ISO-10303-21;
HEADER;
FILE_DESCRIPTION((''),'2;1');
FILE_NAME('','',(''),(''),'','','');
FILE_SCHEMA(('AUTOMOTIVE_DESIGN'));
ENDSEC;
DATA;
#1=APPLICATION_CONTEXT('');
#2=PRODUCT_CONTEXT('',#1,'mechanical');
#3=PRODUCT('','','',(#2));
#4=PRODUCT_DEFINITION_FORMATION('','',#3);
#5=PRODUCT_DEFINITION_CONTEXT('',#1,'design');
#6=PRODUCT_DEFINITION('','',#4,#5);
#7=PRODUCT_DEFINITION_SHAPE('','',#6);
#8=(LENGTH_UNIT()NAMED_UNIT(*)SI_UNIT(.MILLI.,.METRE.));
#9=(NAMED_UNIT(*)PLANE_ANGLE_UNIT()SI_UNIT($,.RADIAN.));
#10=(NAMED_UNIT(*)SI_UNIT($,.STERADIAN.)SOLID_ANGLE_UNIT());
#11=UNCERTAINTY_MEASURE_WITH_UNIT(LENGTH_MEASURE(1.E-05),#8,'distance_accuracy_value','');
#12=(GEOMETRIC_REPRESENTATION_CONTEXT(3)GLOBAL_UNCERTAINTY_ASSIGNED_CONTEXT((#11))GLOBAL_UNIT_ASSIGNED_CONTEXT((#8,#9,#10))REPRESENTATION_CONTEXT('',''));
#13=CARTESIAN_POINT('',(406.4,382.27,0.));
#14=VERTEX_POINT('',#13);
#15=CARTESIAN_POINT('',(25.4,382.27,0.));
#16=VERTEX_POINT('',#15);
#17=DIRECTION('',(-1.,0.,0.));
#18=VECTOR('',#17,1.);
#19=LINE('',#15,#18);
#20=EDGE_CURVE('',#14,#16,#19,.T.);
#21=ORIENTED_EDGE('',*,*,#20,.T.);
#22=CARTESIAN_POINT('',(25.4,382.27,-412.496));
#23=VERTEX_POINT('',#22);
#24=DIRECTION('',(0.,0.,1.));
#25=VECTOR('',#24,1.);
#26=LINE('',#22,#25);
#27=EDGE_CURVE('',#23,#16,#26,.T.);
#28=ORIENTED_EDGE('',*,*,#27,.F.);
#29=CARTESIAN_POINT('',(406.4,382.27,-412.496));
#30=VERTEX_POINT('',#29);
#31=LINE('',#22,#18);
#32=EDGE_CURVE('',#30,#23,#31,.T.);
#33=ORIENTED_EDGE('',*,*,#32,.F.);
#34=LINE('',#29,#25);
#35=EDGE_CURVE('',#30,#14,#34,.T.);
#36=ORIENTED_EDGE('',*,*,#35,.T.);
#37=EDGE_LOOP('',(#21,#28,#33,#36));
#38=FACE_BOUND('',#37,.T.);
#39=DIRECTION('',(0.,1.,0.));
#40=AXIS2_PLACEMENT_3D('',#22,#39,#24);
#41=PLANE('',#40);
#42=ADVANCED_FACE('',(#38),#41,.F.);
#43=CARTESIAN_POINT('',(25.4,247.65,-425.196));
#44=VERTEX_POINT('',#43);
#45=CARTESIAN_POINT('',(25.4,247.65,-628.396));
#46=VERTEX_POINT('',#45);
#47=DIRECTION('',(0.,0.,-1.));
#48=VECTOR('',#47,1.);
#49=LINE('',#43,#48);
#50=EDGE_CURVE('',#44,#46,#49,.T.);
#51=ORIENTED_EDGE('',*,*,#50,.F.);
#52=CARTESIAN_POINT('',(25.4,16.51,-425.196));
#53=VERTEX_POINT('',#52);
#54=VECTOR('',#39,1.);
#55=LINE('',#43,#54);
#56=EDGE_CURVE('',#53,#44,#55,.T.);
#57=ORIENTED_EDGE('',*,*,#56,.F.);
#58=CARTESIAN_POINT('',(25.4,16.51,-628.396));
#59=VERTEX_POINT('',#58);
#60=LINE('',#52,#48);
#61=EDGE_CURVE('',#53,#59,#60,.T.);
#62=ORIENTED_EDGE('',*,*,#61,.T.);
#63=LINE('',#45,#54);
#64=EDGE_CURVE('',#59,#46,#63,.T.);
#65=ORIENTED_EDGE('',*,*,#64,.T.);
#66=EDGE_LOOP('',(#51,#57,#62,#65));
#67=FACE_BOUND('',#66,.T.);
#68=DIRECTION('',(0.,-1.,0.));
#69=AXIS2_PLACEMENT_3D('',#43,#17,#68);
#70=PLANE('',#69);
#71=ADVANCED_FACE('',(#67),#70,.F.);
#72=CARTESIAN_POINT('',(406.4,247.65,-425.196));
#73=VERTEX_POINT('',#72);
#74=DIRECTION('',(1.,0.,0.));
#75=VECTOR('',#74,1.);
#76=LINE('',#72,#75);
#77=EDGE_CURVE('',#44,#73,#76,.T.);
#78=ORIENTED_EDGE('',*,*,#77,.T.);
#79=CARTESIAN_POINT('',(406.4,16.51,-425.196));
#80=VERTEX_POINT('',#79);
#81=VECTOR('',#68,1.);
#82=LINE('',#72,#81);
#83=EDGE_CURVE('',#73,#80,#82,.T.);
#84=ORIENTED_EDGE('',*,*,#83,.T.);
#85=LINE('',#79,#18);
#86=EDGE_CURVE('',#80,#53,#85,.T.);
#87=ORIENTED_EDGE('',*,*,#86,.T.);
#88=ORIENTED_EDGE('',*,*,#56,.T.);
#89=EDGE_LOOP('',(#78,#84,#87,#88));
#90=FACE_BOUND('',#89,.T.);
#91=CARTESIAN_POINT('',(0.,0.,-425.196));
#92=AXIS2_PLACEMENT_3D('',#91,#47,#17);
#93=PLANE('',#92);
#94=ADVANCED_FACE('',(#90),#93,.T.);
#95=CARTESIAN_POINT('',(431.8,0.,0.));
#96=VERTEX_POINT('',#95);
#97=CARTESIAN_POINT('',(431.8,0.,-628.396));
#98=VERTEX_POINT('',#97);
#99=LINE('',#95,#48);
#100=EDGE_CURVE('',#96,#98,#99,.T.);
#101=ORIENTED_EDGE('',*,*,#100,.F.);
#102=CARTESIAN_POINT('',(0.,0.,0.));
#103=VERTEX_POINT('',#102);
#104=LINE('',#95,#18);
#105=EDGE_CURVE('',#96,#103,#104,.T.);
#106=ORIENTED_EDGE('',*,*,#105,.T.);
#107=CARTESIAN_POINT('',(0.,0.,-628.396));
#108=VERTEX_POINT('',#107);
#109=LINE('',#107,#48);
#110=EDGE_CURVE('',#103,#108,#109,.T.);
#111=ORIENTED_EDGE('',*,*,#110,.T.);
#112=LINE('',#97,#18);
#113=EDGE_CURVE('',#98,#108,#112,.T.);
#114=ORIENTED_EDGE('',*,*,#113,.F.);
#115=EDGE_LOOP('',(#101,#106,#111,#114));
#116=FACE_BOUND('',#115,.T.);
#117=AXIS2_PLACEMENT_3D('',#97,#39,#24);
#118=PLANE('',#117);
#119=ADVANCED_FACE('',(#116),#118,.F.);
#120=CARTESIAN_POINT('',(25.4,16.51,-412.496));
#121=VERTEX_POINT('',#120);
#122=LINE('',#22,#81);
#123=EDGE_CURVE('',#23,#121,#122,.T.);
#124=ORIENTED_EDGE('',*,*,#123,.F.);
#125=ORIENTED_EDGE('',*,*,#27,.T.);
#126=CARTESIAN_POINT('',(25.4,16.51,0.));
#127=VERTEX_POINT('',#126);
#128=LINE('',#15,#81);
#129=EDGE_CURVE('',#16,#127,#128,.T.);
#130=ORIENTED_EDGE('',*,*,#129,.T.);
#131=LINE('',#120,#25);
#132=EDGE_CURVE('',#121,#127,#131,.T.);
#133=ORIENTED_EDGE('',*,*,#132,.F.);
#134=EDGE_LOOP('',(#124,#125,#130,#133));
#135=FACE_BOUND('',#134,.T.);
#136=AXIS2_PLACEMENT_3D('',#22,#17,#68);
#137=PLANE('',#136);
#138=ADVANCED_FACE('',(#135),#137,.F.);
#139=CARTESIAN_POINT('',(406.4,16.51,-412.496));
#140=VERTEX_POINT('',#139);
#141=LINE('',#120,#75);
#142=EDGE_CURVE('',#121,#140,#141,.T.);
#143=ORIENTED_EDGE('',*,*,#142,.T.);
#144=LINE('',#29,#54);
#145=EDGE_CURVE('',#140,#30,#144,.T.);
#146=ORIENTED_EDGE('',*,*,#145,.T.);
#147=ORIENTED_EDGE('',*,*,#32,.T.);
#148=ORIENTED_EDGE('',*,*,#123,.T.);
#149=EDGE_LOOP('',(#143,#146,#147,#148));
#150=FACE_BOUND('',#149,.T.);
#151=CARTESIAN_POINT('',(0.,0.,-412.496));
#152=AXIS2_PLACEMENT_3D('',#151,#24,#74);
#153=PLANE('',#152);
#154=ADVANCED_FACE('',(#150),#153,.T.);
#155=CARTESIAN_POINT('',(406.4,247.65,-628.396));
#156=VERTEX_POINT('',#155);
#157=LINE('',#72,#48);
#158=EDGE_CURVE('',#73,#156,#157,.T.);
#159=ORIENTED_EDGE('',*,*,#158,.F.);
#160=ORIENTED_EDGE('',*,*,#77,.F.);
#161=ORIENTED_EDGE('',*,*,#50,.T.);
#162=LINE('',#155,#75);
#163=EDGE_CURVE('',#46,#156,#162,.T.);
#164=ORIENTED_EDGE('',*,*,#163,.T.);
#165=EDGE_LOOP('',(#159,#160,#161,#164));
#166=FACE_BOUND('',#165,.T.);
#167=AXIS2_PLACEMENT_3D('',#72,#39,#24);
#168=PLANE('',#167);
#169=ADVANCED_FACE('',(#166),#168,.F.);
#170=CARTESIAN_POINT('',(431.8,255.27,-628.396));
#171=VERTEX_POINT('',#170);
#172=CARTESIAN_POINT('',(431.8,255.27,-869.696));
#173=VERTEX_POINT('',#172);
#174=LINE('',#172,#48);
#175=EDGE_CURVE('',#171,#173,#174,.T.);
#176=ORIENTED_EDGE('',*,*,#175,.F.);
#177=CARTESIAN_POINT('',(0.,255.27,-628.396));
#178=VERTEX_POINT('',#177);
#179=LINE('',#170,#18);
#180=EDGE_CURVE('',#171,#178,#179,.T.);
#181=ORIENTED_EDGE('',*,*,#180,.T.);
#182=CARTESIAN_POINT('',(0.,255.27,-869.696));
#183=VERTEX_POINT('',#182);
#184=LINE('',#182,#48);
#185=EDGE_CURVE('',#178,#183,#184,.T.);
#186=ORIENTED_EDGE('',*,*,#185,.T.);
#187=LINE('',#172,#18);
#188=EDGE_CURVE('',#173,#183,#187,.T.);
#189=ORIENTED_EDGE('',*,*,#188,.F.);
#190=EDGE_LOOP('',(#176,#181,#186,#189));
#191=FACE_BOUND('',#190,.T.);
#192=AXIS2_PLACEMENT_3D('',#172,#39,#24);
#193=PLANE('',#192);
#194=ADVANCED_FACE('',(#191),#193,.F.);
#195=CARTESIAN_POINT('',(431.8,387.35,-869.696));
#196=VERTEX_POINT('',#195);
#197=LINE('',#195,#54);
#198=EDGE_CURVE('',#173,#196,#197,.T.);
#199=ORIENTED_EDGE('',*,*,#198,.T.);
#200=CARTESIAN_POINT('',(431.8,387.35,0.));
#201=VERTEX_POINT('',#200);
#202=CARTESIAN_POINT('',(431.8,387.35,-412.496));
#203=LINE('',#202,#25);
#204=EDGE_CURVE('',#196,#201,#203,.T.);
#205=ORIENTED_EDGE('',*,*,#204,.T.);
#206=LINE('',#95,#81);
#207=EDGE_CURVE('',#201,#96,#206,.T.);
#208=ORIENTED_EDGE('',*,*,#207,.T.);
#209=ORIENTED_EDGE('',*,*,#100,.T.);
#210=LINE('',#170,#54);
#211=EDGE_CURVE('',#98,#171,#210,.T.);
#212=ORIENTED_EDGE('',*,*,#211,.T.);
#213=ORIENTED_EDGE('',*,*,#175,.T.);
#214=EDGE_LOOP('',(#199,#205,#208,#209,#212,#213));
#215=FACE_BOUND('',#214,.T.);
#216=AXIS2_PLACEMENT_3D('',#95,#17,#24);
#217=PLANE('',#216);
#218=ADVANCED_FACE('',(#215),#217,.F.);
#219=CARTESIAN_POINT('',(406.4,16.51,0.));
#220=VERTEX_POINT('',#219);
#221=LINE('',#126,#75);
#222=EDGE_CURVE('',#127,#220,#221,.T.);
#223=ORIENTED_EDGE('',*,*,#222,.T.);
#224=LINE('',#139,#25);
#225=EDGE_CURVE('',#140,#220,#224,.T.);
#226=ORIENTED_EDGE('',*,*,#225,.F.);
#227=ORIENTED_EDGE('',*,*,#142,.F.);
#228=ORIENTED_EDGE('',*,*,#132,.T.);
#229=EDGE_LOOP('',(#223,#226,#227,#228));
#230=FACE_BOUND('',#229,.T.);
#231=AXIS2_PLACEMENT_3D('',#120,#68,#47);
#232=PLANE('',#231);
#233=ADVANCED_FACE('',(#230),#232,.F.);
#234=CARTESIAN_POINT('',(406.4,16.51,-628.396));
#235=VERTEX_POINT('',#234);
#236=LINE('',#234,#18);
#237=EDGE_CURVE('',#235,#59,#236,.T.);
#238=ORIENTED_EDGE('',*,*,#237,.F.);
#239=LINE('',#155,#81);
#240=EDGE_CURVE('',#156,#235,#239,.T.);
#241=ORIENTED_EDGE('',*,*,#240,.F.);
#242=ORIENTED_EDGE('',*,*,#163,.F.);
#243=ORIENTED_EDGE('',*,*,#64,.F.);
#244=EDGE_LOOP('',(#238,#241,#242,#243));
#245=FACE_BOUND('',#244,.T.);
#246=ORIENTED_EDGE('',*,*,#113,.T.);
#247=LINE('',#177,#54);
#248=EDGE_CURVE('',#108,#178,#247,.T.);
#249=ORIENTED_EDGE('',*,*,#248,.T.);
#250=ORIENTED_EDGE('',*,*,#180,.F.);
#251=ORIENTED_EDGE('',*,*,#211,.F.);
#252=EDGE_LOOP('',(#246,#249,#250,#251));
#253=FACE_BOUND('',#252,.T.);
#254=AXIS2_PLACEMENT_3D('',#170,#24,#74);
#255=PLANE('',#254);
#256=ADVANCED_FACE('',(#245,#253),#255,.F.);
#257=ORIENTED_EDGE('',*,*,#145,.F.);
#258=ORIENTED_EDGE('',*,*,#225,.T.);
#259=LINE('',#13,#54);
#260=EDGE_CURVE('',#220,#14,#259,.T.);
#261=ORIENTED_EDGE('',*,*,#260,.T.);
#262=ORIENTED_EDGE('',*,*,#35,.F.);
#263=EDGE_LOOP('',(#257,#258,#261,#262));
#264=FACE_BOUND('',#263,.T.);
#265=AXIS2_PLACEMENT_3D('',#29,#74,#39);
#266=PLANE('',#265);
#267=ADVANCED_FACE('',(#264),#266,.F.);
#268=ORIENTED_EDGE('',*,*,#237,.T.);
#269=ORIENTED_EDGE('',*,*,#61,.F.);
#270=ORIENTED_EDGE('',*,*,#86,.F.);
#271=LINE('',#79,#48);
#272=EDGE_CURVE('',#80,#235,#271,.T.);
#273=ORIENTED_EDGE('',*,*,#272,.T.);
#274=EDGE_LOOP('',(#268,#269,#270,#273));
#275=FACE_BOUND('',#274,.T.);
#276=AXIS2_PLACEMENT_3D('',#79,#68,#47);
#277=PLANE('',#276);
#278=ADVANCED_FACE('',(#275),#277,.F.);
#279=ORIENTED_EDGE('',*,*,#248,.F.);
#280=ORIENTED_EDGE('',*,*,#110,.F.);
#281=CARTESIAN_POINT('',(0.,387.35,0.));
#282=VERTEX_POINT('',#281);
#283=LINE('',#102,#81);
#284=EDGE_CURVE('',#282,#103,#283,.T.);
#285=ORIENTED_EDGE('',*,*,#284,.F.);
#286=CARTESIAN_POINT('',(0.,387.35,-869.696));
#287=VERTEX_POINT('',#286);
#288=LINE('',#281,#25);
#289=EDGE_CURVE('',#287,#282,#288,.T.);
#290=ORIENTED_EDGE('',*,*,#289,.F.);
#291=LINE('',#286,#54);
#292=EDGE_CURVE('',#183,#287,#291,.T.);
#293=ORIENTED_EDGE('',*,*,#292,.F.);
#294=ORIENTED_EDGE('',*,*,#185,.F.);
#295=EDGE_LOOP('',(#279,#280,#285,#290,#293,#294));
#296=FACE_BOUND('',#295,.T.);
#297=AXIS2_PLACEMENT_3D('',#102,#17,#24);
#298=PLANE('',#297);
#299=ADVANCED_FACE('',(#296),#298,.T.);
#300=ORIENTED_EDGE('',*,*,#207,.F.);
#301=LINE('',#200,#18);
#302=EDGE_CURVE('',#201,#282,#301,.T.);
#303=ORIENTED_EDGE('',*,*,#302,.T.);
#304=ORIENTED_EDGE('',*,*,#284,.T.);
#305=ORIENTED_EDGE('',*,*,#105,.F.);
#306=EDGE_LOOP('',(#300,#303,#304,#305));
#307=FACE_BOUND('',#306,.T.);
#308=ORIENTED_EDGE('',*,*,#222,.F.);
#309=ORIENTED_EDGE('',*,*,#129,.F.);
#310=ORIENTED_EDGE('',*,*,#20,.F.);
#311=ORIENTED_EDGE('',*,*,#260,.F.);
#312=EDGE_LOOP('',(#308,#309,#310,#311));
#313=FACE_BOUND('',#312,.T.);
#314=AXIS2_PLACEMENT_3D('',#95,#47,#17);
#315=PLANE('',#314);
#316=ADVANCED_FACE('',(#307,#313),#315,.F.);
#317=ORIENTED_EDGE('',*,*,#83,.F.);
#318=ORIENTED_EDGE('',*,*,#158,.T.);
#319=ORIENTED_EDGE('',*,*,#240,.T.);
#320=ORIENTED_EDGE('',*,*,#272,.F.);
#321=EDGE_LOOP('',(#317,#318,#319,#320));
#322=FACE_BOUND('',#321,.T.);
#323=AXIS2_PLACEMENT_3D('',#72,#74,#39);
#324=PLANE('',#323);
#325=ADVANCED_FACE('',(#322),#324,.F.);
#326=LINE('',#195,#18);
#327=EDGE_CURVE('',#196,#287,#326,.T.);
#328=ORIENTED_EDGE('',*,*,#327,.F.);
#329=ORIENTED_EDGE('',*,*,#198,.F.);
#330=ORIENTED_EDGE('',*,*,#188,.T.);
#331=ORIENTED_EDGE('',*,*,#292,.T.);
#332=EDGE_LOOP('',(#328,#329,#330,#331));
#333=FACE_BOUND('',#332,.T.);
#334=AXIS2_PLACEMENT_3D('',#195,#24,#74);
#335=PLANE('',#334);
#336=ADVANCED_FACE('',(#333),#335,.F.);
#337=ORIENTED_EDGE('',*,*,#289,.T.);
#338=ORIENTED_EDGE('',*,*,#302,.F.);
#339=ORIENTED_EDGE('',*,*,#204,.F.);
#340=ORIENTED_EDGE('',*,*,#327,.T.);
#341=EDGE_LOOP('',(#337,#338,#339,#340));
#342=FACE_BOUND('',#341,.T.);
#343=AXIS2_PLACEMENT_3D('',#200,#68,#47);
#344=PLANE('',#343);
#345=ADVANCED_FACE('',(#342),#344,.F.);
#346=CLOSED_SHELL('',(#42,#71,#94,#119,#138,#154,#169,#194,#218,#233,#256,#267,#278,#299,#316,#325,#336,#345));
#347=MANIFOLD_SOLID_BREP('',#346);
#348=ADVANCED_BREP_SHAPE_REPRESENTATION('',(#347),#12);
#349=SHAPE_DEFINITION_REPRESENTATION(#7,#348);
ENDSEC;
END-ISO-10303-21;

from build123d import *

# Parameters (mm, degrees)
BOSS_EXTRUDE1_DEPTH = 431.8
SKETCH2_W           = 381
SKETCH2_H           = 231.14
CUT_EXTRUDE1_DEPTH  = 203.2
SKETCH3_W           = 381
SKETCH3_H           = 365.76
CUT_EXTRUDE2_DEPTH  = 412.496


with BuildPart() as part:
    # Sketch1 → Boss-Extrude1 (new body)
    with BuildSketch(Plane(origin=(0, 0, 0), x_dir=(0, 0, -1), z_dir=(1, 0, 0))):
        Polygon((412.496, 387.35), (869.696, 387.35), (869.696, 255.27), (628.396, 255.27), (628.396, 0), (412.496, 0), (0, 0), (0, 387.35), align=None)
    extrude(amount=BOSS_EXTRUDE1_DEPTH)

    # Sketch2 → Cut-Extrude1 (cut)
    with BuildSketch(Plane(origin=(0, 0, -628.396), x_dir=(-1, 0, 0), z_dir=(0, 0, -1))):
        with Locations((-215.9, 132.08)):
            Rectangle(SKETCH2_W, SKETCH2_H)
    extrude(amount=-CUT_EXTRUDE1_DEPTH, mode=Mode.SUBTRACT)

    # Sketch3 → Cut-Extrude2 (cut)
    with BuildSketch(Plane.XY):
        with Locations((215.9, 199.39)):
            Rectangle(SKETCH3_W, SKETCH3_H)
    extrude(amount=-CUT_EXTRUDE2_DEPTH, mode=Mode.SUBTRACT)


solid = part.part
